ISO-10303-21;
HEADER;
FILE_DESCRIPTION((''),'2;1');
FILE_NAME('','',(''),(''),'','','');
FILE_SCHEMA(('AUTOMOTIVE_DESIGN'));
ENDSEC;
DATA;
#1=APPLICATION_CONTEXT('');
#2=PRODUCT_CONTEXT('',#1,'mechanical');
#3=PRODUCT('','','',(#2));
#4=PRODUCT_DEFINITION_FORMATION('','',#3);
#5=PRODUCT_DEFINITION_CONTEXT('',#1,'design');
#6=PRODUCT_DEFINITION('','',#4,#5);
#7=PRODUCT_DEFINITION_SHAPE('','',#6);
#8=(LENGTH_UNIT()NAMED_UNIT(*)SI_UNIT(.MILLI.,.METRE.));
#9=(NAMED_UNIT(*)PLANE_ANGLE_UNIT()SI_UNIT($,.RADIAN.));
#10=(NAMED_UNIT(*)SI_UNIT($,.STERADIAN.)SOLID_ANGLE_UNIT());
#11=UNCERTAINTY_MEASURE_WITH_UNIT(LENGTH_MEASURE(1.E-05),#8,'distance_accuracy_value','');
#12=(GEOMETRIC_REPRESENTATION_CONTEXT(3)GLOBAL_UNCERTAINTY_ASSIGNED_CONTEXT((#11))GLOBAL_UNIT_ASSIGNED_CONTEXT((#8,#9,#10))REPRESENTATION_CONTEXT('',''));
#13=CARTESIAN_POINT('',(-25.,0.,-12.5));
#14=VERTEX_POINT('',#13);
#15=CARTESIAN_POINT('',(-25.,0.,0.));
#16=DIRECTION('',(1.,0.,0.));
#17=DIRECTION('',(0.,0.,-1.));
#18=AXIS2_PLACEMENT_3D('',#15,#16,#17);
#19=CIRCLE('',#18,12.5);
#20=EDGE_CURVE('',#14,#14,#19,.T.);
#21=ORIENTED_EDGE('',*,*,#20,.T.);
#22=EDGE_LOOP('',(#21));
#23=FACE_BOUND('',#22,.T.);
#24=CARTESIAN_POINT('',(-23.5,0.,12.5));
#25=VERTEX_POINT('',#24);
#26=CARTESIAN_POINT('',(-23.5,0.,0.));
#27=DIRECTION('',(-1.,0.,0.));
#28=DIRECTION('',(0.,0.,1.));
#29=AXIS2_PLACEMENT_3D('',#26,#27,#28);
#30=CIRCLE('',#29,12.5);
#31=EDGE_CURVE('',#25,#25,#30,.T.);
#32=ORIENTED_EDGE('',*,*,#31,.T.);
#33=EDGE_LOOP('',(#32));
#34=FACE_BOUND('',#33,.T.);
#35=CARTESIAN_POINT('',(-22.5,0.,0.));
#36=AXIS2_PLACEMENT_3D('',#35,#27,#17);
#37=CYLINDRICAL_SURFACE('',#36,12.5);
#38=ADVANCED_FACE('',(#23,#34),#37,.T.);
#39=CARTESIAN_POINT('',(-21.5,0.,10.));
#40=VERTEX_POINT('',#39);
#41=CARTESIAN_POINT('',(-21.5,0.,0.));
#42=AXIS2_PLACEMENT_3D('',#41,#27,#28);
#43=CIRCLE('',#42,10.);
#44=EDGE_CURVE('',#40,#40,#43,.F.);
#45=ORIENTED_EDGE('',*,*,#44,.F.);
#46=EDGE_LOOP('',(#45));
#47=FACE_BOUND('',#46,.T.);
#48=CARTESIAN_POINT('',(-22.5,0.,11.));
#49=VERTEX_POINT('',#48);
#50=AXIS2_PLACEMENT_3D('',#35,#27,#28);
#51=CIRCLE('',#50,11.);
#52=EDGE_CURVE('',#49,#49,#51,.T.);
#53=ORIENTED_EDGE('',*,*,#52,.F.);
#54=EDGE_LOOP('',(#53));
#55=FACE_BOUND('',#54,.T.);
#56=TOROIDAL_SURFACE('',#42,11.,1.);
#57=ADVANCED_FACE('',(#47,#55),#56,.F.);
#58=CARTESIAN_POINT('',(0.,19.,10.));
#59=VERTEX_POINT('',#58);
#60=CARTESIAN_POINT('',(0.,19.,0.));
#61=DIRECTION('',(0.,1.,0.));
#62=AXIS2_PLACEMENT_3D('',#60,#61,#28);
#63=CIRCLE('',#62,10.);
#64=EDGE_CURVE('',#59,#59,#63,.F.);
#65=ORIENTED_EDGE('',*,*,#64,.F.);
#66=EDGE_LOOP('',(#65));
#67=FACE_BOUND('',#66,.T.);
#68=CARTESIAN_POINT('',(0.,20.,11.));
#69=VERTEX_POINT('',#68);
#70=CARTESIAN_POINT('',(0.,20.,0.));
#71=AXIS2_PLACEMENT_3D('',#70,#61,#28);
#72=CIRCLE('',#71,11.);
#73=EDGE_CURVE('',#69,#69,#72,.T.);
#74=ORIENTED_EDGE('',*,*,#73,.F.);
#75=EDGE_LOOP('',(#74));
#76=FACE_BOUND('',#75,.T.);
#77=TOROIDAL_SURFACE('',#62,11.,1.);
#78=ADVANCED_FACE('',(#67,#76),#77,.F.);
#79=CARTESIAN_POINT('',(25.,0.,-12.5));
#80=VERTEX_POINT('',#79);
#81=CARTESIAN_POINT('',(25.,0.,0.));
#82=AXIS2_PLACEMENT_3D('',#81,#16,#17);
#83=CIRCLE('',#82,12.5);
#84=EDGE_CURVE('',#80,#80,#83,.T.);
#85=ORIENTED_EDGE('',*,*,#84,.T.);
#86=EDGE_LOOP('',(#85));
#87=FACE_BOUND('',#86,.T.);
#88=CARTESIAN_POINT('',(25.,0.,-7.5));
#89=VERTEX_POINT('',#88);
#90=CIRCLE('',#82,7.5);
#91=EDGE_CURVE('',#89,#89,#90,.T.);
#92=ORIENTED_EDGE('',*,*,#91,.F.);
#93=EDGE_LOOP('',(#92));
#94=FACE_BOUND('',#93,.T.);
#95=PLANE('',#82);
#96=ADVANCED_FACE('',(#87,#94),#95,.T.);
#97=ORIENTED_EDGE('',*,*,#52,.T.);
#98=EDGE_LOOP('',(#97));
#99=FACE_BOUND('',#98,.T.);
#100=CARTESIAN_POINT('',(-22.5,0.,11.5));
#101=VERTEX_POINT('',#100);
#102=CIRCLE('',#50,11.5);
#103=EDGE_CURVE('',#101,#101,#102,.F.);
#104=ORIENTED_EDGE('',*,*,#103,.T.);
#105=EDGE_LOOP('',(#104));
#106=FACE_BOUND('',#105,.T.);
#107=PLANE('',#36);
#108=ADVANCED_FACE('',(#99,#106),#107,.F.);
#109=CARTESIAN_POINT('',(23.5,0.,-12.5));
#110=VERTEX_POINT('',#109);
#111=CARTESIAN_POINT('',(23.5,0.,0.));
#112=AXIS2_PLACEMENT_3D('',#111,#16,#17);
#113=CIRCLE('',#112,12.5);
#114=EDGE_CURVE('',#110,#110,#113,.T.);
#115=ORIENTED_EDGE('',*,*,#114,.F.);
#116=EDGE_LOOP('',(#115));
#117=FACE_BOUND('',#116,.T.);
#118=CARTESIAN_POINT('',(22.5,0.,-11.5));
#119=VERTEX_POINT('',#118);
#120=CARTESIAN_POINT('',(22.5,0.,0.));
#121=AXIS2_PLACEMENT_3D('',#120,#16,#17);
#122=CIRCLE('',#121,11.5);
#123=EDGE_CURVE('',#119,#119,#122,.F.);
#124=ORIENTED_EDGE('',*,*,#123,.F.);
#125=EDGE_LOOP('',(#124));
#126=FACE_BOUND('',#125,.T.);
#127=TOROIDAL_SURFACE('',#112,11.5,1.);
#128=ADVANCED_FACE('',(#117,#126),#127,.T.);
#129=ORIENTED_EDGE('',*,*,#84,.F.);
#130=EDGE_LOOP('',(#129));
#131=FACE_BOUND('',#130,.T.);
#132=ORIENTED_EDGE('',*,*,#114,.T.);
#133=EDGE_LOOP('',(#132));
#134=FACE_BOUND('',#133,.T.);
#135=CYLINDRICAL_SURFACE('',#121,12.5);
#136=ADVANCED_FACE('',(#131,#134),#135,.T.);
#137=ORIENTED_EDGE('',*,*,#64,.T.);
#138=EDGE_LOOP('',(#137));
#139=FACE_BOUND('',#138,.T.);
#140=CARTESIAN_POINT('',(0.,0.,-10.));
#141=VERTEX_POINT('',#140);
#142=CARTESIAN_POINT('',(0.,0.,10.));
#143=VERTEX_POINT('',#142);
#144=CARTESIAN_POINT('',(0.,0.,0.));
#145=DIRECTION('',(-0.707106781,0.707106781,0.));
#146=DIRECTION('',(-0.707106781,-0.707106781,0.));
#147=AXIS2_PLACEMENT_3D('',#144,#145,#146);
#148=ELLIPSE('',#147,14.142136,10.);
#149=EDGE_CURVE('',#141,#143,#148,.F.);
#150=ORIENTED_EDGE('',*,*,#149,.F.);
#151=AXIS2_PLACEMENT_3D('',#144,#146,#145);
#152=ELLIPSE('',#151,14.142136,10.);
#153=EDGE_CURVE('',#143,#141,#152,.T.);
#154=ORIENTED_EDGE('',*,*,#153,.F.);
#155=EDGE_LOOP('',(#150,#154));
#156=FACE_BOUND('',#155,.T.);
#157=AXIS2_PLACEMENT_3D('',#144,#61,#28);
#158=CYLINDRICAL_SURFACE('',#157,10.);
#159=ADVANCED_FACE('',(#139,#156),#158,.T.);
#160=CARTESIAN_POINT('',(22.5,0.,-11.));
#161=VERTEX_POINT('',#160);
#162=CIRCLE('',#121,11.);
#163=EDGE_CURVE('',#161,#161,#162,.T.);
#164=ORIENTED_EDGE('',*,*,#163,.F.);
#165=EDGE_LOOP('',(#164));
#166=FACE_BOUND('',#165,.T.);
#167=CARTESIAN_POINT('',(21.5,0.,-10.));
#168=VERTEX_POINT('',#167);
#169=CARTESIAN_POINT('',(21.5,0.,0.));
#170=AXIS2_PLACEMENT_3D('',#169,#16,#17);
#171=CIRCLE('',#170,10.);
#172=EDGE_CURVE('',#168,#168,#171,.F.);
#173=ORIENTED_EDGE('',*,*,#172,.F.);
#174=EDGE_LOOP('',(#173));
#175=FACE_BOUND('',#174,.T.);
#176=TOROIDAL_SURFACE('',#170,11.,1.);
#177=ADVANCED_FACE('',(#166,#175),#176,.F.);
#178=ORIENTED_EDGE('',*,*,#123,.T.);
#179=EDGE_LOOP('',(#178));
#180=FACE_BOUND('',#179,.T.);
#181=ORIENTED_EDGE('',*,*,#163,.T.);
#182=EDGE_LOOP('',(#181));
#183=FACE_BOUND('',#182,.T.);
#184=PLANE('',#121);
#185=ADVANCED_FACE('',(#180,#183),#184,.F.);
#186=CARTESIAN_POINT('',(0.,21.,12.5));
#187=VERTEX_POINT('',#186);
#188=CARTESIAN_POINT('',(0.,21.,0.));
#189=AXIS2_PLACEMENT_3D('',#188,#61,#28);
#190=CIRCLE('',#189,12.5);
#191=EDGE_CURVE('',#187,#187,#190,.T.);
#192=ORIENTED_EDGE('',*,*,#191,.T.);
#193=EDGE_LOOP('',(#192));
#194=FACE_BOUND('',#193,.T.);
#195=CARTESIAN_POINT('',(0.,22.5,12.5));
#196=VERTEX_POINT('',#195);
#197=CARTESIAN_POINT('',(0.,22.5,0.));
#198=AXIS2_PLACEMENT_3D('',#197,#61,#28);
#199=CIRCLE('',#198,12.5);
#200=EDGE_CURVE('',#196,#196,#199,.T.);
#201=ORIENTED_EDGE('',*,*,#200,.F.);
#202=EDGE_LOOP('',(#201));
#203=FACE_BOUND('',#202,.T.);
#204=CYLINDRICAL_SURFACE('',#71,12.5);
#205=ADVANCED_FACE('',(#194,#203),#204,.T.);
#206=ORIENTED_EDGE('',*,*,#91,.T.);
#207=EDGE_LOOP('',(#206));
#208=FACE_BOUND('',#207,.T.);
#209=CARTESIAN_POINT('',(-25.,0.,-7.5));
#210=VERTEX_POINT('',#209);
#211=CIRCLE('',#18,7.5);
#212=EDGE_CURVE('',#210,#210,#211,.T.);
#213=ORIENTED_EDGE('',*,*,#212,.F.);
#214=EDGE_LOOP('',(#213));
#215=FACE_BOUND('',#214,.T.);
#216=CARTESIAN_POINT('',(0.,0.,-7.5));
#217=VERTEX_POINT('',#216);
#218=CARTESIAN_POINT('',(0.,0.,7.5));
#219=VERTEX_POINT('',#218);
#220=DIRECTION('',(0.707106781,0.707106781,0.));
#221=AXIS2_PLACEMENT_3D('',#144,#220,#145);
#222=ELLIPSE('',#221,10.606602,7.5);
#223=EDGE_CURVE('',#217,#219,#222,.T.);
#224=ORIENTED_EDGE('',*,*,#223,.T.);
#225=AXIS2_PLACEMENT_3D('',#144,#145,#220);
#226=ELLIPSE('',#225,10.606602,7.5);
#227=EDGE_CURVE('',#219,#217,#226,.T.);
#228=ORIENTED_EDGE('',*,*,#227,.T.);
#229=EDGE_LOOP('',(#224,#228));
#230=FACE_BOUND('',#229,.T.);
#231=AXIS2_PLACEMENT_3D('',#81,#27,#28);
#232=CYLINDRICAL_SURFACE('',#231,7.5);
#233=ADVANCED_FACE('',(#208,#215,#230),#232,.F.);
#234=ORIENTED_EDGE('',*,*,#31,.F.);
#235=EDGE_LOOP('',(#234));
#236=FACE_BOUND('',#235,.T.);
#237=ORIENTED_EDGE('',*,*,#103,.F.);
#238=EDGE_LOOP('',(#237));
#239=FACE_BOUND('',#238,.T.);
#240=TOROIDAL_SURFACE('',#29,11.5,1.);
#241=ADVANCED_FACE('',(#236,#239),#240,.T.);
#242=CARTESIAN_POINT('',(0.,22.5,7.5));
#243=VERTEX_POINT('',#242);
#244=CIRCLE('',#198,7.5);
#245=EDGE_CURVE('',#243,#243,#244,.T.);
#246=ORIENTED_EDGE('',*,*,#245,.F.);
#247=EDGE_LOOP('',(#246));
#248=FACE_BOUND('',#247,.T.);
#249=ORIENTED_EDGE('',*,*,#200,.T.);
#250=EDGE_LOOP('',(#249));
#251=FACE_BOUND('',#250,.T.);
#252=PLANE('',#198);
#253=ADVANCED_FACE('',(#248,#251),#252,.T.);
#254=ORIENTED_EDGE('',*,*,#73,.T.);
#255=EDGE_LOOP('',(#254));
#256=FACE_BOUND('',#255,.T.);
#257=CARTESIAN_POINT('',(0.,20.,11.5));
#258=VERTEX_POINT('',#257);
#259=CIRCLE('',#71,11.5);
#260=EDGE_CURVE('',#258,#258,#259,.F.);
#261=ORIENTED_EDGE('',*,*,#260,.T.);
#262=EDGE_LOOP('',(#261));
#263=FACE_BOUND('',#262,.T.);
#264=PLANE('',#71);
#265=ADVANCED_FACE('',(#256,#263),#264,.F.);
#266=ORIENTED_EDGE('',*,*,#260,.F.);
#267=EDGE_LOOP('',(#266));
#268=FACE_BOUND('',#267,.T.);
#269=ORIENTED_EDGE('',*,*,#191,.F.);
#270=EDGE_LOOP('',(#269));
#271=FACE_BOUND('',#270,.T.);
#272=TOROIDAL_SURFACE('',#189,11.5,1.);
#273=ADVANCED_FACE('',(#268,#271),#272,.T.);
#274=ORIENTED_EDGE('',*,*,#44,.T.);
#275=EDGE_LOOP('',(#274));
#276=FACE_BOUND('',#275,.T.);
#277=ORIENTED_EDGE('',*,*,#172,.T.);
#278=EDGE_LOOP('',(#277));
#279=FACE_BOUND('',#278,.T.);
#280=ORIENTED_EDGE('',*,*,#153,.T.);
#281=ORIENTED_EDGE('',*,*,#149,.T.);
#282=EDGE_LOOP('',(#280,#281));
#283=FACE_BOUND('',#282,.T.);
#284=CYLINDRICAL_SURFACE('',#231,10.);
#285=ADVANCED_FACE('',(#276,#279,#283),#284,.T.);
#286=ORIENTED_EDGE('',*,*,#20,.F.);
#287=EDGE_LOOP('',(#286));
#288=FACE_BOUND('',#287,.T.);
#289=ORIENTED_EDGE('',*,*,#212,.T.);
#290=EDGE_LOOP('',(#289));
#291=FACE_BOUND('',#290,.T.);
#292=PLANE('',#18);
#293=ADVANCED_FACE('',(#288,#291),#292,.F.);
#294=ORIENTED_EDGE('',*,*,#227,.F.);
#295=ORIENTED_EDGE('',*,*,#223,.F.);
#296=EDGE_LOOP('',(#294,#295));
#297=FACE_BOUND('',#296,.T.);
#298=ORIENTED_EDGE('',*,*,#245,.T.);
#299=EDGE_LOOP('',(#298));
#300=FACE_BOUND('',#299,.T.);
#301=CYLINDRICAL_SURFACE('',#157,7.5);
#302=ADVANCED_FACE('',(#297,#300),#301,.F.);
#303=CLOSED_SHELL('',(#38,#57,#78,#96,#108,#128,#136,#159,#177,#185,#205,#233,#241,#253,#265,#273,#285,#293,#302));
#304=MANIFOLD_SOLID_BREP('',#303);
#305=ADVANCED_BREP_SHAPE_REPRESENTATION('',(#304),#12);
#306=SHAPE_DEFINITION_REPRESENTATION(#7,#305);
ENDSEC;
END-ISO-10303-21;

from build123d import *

# Parameters (mm, degrees)
SKETCH2_R                = 10
SKETCH2_R_2              = 7.5
SKETCH3_R                = 12.5
SKETCH3_R_2              = 7.5
BOSS_EXTRUDE1_DEPTH      = 2.5
BOSS_EXTRUDE2_DEPTH      = 15
BOSS_EXTRUDE2_DEPTH_BACK = 7.5
SKETCH4_R                = 10
SKETCH4_R_2              = 7.5
SKETCH5_R                = 7.5
CUT_EXTRUDE1_DEPTH       = 57.236109525
CUT_EXTRUDE2_REACH       = 46.791
SKETCH6_R                = 7.5
SKETCH7_R                = 12.5
SKETCH7_R_2              = 7.5
BOSS_EXTRUDE3_DEPTH      = 2.5
FILLET1_R                = 1


with BuildPart() as part:
    # Sweep-Thin1: sweep along a path in Sketch1
    with BuildLine(Plane.XY) as sweep_thin1_path:
        Line((-25, 0), (0, 0))
        Line((0, 0), (25, 0))
    # Sketch2 → Sweep-Thin1 (sweep)
    with BuildSketch(Plane(origin=(0, 0, 0), x_dir=(0, 0, -1), z_dir=(1, 0, 0))):
        Circle(SKETCH2_R)
        Circle(SKETCH2_R_2, mode=Mode.SUBTRACT)
    sweep(path=sweep_thin1_path.line)

    # Sketch3 → Boss-Extrude1 (add)
    with BuildSketch(Plane(origin=(25, 0, 0), x_dir=(0, 0, -1), z_dir=(1, 0, 0))):
        Circle(SKETCH3_R)
        Circle(SKETCH3_R_2, mode=Mode.SUBTRACT)
    extrude(amount=-BOSS_EXTRUDE1_DEPTH)

    # Mirror1: part across plane


with BuildPart() as part_1:
    add(part.part)
    add(part.part.mirror(Plane(origin=(0, 0, 0), x_dir=(0, 0, 1), z_dir=(1, 0, 0))))

    # Sketch4 → Boss-Extrude2 (add, two sides: drawn at the far end of the back side and taken through both)
    with BuildSketch(Plane(origin=(0, 7.5, 0), x_dir=(1, 0, 0), z_dir=(0, 1, 0)).offset(-BOSS_EXTRUDE2_DEPTH_BACK)):
        with Locations(Location((0, 0, 0), (0, 0, 270))):
            Circle(SKETCH4_R)
        with Locations(Location((0, 0, 0), (0, 0, 270))):
            Circle(SKETCH4_R_2, mode=Mode.SUBTRACT)
    extrude(amount=BOSS_EXTRUDE2_DEPTH + BOSS_EXTRUDE2_DEPTH_BACK)

    # Sketch5 → Cut-Extrude1 (cut, through all)
    with BuildSketch(Plane(origin=(25, 0, 0), x_dir=(0, 0, -1), z_dir=(1, 0, 0))):
        Circle(SKETCH5_R)
    extrude(amount=-CUT_EXTRUDE1_DEPTH, mode=Mode.SUBTRACT)

    # Sketch6 → Cut-Extrude2 (cut, up to next)
    with BuildSketch(Plane(origin=(0, 22.5, 0), x_dir=(1, 0, 0), z_dir=(0, 1, 0)), mode=Mode.PRIVATE) as cut_extrude2_sk1:
        with Locations(Location((0, 0, 0), (0, 0, 270))):
            Circle(SKETCH6_R)
    cut_extrude2_tool1 = extrude(cut_extrude2_sk1.sketch, amount=-CUT_EXTRUDE2_REACH, mode=Mode.PRIVATE) & part_1.part
    add(cut_extrude2_tool1.solids().sort_by_distance((0, 22.5, 0))[0], mode=Mode.SUBTRACT)

    # Sketch7 → Boss-Extrude3 (add)
    with BuildSketch(Plane(origin=(0, 22.5, 0), x_dir=(1, 0, 0), z_dir=(0, 1, 0))):
        with Locations(Location((0, 0, 0), (0, 0, 270))):
            Circle(SKETCH7_R)
        with Locations(Location((0, 0, 0), (0, 0, 270))):
            Circle(SKETCH7_R_2, mode=Mode.SUBTRACT)
    extrude(amount=-BOSS_EXTRUDE3_DEPTH)

    # Fillet1
    fillet1_edges = [part_1.edges().sort_by_distance(p)[0] for p in [
        (22.5, 0, 10),
        (22.5, 0, 12.5),
        (-22.5, 0, 10),
        (-22.5, 0, 12.5),
        (0, 20, -10),
        (0, 20, -12.5),
    ]]
    fillet(fillet1_edges, radius=FILLET1_R)


solid = part_1.part
